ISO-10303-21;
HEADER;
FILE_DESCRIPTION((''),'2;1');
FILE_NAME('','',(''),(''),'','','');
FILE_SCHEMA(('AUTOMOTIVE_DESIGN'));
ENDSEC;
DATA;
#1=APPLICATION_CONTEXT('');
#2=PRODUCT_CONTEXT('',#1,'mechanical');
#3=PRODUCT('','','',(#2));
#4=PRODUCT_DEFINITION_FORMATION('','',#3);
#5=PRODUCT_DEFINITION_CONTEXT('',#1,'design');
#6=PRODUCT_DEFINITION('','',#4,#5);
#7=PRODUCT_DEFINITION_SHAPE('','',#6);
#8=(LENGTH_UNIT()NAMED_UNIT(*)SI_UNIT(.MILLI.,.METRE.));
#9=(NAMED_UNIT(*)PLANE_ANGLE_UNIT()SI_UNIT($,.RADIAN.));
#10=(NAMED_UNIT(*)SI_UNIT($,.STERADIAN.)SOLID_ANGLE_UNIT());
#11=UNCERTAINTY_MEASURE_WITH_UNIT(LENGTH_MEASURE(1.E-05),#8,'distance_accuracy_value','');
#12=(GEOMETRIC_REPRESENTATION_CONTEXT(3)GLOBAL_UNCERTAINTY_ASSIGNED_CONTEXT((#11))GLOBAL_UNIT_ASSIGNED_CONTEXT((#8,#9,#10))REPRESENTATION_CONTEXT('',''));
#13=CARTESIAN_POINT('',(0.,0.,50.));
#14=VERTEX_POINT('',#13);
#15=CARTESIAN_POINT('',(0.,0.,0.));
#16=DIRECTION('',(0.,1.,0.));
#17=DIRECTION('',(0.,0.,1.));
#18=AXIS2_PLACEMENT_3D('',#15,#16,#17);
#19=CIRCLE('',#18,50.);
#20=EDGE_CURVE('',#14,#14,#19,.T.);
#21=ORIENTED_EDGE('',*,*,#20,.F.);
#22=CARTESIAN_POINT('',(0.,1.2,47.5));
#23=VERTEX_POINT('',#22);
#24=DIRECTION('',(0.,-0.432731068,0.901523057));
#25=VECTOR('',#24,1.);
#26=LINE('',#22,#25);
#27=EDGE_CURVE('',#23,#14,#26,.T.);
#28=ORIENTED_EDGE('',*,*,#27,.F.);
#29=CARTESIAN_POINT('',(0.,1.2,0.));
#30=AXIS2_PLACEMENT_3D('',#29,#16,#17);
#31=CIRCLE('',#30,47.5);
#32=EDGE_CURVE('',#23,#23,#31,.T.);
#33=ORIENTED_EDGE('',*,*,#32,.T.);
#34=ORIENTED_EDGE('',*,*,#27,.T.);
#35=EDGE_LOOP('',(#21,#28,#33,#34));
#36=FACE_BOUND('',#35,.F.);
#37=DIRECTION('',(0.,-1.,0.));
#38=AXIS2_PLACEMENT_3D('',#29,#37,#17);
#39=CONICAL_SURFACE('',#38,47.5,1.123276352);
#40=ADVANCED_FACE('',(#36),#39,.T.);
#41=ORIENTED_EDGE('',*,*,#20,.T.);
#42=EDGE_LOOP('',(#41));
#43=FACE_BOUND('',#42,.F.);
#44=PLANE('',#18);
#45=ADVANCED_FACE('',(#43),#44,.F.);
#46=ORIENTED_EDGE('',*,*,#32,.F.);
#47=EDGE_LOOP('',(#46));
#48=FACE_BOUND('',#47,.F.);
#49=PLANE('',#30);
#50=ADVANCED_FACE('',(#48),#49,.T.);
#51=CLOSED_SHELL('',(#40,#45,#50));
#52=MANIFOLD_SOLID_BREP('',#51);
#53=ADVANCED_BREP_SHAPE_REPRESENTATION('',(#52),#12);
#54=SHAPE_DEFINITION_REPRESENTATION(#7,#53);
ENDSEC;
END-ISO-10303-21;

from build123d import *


with BuildPart() as part:
    # Sketch → Revolution (revolve)
    with BuildSketch(Plane.YZ):
        Polygon((0, 0), (1.2, 0), (1.2, 47.5), (0, 50), align=None)
    revolve(axis=Axis((0, 0, 0), (0, 1, 0)))


solid = part.part
